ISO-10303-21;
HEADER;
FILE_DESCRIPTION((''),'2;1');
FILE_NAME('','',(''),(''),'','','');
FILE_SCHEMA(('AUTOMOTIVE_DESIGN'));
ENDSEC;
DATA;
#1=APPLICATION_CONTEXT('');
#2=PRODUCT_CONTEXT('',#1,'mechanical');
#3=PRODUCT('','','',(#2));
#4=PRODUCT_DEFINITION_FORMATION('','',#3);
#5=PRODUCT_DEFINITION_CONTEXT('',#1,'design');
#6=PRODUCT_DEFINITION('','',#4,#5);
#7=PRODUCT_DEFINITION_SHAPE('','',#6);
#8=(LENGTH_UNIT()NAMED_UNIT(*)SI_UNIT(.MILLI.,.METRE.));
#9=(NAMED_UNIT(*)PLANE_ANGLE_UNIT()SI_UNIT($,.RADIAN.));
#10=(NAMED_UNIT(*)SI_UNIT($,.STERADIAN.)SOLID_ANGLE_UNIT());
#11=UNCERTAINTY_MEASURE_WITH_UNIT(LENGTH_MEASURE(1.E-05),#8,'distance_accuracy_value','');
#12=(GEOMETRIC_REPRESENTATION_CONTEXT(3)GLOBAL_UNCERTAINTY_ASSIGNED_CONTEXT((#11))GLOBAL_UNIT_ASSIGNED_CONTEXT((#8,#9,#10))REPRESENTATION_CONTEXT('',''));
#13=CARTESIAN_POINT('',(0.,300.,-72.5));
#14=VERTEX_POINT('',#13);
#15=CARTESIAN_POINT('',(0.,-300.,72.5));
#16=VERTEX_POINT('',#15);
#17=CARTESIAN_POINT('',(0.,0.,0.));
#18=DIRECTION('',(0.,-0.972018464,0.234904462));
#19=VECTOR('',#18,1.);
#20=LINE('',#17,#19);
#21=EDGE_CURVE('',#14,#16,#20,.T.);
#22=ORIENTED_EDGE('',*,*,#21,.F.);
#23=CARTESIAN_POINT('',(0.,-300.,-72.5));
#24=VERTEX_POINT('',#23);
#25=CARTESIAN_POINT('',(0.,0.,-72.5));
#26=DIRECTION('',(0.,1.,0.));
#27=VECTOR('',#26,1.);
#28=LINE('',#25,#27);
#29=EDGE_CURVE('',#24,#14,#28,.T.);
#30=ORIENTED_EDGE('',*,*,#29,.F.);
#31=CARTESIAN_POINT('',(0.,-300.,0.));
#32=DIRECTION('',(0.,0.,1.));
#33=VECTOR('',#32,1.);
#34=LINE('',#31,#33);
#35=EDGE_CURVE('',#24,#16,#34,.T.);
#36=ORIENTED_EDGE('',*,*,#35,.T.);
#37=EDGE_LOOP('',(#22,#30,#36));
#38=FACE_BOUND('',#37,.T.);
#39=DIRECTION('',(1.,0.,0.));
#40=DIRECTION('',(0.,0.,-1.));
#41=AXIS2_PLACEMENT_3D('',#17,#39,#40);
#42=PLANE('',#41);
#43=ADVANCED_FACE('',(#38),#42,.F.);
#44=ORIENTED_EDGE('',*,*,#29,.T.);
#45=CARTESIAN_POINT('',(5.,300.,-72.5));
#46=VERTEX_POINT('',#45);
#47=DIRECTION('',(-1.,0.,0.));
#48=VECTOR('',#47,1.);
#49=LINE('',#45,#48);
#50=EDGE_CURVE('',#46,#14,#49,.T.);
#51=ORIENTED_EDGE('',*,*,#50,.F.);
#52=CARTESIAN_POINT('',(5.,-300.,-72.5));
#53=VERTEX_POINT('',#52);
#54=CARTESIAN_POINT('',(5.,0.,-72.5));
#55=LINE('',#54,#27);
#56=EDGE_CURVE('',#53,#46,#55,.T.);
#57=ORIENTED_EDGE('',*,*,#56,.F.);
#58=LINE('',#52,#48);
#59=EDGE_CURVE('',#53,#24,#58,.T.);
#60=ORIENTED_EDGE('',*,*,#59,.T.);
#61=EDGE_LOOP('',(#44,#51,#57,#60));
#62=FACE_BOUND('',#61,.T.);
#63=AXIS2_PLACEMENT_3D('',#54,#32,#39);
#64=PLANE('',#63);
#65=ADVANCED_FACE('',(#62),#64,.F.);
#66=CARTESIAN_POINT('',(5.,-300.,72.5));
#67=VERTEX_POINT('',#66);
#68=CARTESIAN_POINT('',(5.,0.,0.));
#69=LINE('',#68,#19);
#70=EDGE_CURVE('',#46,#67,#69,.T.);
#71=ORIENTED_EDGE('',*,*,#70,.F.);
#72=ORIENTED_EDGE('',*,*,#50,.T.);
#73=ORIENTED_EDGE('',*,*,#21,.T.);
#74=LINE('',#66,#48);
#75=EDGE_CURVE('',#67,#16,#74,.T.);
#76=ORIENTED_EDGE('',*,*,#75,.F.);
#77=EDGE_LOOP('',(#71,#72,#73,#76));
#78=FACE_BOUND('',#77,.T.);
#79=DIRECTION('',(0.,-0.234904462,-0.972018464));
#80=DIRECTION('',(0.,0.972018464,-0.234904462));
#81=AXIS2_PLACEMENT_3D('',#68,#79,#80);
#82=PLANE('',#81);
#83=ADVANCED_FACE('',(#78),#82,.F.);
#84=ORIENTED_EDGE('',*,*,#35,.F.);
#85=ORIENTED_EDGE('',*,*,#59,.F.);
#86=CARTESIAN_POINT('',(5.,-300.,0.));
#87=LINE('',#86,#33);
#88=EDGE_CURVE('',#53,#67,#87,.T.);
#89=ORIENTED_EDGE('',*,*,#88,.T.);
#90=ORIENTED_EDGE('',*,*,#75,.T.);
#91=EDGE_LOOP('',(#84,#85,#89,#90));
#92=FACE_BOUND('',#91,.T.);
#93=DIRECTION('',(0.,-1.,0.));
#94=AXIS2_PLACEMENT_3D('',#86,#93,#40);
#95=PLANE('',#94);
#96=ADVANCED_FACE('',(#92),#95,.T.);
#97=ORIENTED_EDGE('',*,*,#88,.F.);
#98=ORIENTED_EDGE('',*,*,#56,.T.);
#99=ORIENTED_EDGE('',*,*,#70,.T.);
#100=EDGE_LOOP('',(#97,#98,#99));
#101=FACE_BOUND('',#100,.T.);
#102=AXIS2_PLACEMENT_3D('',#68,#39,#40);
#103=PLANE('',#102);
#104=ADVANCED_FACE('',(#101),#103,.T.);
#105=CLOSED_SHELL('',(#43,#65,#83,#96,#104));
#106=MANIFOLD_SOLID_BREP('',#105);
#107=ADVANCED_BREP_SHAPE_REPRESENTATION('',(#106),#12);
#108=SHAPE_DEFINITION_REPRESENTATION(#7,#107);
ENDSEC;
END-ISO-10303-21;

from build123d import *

# Parameters (mm, degrees)
SALIENTE_EXTRUIR1_DEPTH = 5


with BuildPart() as part:
    # Croquis1 → Saliente-Extruir1 (new body)
    with BuildSketch(Plane(origin=(0, 0, 0), x_dir=(0, 0, -1), z_dir=(1, 0, 0))):
        Polygon((72.5, -300), (-72.5, -300), (72.5, 300), align=None)
    extrude(amount=SALIENTE_EXTRUIR1_DEPTH)


solid = part.part
